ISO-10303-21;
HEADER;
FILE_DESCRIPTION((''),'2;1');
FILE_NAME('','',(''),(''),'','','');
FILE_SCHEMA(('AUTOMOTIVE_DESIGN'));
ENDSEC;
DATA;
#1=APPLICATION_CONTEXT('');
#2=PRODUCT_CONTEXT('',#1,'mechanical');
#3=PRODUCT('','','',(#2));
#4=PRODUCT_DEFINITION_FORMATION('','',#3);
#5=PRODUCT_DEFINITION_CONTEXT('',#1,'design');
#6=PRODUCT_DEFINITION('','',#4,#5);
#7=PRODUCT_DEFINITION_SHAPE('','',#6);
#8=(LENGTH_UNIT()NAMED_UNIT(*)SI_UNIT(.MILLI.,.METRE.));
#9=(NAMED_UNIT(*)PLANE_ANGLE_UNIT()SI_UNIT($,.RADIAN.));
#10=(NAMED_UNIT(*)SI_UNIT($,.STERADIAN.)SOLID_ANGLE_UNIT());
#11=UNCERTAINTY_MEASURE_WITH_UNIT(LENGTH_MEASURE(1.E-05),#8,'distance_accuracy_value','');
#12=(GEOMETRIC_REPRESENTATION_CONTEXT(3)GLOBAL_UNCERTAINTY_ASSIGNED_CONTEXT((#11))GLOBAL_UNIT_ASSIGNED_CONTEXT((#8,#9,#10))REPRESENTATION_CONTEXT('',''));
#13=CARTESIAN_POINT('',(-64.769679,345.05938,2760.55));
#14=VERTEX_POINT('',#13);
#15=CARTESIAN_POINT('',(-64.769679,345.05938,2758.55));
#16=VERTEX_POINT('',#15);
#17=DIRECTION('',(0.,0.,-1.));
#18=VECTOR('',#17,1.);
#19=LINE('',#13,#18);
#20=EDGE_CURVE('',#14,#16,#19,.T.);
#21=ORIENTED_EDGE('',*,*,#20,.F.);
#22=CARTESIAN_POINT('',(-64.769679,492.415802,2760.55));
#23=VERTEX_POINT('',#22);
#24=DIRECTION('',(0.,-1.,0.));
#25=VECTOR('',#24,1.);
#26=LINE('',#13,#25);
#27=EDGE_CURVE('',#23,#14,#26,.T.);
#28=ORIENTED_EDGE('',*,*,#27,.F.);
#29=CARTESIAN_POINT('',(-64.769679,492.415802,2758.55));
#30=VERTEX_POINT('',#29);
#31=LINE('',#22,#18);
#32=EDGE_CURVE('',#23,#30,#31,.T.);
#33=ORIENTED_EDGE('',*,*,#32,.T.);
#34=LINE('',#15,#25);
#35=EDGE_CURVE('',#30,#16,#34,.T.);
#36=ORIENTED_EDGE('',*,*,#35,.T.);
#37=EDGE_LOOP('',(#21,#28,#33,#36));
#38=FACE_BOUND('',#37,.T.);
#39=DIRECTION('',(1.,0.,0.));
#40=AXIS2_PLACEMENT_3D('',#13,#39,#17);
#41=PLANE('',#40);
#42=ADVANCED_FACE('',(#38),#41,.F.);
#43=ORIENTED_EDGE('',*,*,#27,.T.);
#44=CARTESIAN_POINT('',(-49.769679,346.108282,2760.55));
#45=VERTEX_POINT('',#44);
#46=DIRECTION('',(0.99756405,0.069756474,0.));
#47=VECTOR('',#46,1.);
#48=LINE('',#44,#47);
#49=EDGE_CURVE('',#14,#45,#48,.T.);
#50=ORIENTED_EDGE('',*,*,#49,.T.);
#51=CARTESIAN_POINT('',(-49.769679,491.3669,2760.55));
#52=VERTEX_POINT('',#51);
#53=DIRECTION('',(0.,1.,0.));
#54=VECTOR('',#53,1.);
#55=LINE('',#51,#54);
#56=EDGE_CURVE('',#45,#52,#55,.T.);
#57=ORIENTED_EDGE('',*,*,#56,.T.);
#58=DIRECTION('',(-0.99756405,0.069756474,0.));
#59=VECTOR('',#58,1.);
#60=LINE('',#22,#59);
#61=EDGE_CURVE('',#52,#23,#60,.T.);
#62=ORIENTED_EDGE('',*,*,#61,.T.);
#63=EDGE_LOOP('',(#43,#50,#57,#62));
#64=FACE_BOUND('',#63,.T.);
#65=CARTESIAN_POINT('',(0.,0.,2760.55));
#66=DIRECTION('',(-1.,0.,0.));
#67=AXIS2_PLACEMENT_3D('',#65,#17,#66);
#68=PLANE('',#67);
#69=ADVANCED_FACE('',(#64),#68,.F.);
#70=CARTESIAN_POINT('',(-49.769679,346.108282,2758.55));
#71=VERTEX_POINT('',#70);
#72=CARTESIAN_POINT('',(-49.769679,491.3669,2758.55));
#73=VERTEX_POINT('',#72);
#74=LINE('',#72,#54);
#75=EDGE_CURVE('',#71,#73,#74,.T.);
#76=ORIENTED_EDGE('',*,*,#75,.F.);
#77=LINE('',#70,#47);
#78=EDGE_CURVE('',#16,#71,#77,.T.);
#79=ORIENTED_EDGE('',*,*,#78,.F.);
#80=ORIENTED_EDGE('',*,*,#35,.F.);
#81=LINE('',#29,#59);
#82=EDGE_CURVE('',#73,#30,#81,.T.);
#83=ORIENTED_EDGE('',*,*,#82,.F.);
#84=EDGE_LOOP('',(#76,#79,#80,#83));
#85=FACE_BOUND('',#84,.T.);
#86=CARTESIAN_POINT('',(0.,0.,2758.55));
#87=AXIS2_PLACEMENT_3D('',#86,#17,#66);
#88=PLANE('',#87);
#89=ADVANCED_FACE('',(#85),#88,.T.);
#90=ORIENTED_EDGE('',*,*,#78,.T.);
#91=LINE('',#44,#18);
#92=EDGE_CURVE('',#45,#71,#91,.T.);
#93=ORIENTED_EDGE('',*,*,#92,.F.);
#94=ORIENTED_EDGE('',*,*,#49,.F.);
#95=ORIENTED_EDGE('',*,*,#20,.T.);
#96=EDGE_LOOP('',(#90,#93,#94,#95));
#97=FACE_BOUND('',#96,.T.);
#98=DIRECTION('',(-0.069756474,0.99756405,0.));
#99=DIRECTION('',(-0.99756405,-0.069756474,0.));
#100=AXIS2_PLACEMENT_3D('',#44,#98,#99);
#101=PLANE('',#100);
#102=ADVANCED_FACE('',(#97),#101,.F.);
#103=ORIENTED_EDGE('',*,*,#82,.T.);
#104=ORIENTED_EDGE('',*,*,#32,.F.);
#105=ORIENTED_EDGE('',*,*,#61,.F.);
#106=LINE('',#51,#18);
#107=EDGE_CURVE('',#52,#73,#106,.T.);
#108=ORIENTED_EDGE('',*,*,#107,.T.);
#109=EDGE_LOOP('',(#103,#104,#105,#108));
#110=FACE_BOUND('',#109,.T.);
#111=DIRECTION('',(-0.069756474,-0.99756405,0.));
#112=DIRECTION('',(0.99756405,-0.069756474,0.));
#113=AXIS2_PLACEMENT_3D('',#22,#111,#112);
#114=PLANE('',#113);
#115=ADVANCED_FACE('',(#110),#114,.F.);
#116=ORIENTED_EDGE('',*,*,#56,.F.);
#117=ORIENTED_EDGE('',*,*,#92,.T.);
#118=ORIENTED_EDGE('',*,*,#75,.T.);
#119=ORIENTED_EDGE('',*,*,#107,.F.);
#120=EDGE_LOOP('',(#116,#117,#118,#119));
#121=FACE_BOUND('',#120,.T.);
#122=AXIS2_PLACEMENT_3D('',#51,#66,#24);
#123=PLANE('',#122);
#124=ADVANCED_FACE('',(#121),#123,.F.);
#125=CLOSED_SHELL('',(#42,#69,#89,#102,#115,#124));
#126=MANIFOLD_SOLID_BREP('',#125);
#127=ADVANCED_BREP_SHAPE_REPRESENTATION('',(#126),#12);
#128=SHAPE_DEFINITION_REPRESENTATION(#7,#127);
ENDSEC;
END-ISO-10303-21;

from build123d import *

# Parameters (mm, degrees)
BOSS_EXTRUDE1_DEPTH = 2


with BuildPart() as part:
    # Sketch1 → Boss-Extrude1 (new body)
    with BuildSketch(Plane.XY.offset(2758.549999999)):
        Polygon((-49.769678516, 346.108282384), (-64.769678516, 345.059380205), (-64.769678516, 492.415801833), (-49.769678516, 491.366899654), align=None)
    extrude(amount=BOSS_EXTRUDE1_DEPTH)


solid = part.part
